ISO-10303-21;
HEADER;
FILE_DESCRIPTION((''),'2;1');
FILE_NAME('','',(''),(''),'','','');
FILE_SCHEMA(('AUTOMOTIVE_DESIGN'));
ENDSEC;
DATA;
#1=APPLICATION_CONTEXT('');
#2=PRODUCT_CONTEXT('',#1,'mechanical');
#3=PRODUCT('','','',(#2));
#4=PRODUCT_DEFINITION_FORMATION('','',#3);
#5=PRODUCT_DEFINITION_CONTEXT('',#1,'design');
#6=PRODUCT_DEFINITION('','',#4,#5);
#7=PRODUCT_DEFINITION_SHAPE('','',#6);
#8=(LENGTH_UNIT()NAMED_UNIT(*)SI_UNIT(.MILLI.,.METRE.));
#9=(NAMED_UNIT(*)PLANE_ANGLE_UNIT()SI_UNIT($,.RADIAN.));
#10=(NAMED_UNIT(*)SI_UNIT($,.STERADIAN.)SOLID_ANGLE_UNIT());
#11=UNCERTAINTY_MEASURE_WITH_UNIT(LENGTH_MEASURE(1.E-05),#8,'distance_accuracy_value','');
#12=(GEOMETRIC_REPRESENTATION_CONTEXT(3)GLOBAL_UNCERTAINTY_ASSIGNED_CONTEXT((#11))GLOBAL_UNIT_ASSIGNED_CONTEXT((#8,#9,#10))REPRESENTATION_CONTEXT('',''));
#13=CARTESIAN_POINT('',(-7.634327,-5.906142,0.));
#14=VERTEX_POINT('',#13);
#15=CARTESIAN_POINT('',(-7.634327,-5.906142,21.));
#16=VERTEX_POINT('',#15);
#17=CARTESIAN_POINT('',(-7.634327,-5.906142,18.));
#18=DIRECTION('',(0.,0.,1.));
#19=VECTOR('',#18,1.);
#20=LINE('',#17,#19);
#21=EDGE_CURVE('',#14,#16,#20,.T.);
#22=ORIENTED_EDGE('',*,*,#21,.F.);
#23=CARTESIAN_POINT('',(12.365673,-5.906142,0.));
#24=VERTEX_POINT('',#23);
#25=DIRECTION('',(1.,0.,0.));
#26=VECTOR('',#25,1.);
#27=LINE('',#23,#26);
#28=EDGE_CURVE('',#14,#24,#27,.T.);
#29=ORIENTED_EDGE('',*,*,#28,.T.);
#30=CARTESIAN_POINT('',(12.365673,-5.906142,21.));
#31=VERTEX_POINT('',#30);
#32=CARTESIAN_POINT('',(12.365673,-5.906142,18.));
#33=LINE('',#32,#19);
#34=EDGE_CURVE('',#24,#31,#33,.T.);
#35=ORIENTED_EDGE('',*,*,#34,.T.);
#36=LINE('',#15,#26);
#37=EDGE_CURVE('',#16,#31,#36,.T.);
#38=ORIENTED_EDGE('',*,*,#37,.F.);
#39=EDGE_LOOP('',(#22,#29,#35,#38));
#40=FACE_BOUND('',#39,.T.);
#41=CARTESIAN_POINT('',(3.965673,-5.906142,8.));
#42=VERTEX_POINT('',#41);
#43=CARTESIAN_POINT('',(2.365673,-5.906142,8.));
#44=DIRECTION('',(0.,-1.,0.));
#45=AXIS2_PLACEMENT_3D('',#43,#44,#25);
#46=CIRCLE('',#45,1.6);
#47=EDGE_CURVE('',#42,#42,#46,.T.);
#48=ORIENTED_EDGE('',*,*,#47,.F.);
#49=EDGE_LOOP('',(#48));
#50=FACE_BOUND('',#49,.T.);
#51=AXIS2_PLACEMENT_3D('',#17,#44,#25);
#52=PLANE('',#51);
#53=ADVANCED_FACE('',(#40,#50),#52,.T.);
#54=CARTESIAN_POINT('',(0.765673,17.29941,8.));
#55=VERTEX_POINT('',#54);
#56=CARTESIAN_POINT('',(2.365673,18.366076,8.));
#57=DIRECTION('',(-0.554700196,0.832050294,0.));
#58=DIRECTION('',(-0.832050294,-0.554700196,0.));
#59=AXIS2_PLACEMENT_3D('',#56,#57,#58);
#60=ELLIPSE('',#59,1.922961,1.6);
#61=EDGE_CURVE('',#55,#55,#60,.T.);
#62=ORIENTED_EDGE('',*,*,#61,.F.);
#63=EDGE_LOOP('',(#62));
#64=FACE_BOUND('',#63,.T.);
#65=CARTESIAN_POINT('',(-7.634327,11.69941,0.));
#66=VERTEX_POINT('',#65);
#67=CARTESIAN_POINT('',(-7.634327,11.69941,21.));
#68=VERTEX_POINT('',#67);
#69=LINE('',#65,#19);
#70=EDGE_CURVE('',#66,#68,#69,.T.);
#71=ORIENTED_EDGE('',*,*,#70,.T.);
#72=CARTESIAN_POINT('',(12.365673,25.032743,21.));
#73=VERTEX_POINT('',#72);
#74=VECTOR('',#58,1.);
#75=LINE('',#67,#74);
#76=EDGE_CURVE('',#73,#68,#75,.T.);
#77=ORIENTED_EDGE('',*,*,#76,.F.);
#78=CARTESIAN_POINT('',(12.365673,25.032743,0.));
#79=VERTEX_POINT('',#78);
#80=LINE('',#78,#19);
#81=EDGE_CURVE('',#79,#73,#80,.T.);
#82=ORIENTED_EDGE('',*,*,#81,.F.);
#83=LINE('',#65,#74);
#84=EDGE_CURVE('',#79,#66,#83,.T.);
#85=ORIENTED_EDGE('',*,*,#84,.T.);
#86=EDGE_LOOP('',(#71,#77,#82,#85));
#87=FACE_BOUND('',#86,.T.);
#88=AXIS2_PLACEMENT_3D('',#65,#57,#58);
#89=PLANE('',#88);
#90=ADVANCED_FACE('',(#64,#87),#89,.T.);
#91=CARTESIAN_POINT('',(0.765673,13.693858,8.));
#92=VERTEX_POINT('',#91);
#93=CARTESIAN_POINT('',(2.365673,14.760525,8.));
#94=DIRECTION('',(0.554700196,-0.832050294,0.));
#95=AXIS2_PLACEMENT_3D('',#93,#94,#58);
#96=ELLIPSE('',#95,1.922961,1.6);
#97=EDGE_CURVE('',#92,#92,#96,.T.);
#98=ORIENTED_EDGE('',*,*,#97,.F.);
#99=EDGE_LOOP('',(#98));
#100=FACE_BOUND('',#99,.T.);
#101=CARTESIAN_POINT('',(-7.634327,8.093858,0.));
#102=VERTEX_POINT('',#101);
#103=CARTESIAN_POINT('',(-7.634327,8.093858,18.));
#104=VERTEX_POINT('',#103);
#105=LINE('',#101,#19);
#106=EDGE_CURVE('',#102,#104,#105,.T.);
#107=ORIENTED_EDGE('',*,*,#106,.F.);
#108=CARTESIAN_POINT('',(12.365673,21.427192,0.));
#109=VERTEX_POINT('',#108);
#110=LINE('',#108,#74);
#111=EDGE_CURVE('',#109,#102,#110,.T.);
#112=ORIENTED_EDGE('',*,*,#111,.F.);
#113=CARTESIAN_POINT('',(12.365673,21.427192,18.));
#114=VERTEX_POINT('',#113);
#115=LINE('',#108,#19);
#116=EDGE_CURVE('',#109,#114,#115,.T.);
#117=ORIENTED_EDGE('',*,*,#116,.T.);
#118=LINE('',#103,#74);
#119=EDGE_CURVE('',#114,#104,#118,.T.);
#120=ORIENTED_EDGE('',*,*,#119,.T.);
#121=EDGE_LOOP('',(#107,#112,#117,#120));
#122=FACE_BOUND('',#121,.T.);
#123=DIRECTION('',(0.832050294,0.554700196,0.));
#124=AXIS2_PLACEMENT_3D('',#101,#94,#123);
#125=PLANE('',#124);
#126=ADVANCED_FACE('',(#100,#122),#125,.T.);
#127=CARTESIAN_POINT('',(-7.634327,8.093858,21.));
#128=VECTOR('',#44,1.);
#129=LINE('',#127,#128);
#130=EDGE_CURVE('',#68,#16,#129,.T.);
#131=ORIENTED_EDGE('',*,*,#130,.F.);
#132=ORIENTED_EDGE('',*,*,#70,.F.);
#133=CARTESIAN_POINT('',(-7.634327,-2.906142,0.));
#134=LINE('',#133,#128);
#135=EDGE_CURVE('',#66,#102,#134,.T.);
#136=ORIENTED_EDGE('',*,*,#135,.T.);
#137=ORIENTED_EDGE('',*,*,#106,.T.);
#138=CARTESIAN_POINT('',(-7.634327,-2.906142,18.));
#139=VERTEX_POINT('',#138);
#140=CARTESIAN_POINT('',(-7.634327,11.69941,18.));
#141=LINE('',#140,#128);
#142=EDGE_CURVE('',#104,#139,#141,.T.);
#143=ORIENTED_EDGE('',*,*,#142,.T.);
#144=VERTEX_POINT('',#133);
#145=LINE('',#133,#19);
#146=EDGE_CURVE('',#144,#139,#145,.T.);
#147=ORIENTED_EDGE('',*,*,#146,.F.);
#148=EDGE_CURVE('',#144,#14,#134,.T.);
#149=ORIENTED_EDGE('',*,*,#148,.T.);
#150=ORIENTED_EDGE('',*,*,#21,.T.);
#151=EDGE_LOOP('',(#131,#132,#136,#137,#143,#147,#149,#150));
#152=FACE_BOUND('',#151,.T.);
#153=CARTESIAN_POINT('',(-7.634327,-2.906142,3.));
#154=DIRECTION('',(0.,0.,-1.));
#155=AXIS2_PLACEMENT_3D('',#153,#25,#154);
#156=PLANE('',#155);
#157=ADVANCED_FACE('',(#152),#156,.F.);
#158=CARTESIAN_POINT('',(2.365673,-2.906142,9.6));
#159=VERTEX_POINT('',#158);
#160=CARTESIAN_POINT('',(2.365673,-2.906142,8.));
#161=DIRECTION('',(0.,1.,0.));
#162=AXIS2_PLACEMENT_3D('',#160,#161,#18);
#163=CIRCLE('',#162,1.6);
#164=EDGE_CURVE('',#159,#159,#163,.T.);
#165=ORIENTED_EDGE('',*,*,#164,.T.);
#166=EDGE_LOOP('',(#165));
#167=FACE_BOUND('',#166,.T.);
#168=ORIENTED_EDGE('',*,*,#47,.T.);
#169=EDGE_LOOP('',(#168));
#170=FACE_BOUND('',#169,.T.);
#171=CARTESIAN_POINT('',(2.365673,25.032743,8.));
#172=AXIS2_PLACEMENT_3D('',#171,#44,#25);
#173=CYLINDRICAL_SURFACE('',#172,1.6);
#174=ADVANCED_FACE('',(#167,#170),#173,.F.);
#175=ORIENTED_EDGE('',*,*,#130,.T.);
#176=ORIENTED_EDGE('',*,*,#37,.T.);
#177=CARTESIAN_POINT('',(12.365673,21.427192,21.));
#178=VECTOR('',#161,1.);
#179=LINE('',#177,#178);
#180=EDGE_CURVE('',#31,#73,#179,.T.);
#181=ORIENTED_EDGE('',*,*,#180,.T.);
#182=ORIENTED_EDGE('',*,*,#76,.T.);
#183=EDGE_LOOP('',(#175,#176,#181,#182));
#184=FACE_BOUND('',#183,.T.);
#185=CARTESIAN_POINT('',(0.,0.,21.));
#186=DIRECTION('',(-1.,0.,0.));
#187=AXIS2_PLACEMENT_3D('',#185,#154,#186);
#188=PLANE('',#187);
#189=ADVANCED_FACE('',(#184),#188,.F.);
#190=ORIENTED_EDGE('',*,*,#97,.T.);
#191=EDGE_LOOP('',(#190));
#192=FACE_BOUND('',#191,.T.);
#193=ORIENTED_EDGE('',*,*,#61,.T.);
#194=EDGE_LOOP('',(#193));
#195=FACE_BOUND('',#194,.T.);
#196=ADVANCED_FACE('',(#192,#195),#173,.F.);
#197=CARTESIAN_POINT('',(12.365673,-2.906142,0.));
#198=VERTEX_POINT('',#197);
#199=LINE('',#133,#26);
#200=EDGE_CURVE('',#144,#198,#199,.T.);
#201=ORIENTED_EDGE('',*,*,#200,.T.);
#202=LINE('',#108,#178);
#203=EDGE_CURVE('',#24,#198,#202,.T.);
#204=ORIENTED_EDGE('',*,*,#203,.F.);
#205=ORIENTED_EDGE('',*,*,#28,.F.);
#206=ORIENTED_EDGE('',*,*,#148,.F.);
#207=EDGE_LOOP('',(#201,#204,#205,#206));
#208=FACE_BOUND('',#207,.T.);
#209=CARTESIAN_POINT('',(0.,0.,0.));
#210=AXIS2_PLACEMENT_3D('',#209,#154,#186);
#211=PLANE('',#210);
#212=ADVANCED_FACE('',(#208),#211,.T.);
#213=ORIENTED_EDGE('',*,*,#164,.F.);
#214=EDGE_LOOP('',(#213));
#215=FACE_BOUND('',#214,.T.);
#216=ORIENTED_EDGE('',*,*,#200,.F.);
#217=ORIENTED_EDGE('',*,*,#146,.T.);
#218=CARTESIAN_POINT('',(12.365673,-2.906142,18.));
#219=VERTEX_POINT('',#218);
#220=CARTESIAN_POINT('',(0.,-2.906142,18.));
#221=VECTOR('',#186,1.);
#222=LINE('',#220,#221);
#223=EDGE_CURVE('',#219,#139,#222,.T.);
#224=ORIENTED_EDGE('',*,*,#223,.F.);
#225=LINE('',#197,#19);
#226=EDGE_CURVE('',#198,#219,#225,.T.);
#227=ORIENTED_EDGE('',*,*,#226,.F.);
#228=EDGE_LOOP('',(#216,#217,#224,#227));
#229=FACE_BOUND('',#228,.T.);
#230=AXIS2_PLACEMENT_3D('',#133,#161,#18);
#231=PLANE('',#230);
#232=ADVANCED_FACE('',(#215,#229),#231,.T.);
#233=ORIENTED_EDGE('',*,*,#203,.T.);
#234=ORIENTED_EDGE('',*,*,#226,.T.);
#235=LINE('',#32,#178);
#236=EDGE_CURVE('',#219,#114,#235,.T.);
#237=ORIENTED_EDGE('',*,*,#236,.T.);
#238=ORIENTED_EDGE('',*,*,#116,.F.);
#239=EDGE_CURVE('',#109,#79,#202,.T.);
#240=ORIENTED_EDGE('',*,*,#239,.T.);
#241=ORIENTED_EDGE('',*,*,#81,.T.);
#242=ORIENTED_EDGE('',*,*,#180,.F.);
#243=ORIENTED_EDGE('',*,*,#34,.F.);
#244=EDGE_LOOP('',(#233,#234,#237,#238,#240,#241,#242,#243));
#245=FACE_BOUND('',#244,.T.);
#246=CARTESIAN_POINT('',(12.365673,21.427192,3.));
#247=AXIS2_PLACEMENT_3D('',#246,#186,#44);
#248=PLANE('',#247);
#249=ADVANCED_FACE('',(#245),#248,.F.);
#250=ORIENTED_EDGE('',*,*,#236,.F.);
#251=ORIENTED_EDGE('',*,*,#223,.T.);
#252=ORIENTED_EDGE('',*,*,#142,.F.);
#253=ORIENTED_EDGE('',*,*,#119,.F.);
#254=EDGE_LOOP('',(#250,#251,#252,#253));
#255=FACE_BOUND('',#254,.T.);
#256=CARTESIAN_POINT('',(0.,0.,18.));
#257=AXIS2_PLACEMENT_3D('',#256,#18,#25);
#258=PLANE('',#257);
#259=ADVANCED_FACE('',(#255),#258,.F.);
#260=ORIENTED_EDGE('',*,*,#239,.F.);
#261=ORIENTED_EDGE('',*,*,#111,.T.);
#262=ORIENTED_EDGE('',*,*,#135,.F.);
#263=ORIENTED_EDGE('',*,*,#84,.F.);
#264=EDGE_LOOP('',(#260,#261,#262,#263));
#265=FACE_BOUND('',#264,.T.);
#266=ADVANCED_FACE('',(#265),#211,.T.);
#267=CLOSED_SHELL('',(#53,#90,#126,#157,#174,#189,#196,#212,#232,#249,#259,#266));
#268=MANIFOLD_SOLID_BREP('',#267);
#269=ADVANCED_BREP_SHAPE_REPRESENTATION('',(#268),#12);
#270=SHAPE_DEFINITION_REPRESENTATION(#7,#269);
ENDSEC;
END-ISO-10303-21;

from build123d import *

# Parameters (mm, degrees)
EXTRUDE_1_DEPTH      = 3
SKETCH_2_W           = 20
SKETCH_2_H           = 3
EXTRUDE_2_DEPTH      = 18
EXTRUDE_2_DEPTH_BACK = 3
SKETCH_5_R           = 1.6
CUT_EXTRUDE_1_DEPTH  = 31.938884609
CUT_EXTRUDE_2_DEPTH  = 4
EXTRUDE_3_DEPTH      = 3


with BuildPart() as part:
    # 草图1 → 凸台-拉伸1 (new body)
    with BuildSketch(Plane.XY):
        Polygon((-7.634327041, -2.906141593), (-7.634327041, 8.093858407), (12.365672959, 21.427191741), (12.365672959, -5.906141593), (-7.634327041, -5.906141593), align=None)
    extrude(amount=EXTRUDE_1_DEPTH)

    # 草图2 → 凸台-拉伸2 (add, two sides)
    with BuildSketch(Plane.XY.offset(3)) as extrude_2_sk:
        Polygon((-7.634327041, 8.093858407), (12.365672959, 21.427191741), (12.365672959, 25.032743016), (-7.634327041, 11.699409683), align=None)
        with Locations((2.365672959, -4.406141593)):
            Rectangle(SKETCH_2_W, SKETCH_2_H)
    extrude(amount=EXTRUDE_2_DEPTH)
    extrude(extrude_2_sk.sketch, amount=-EXTRUDE_2_DEPTH_BACK)

    # 草图5 → 切除-拉伸1 (cut, through all)
    with BuildSketch(Plane.XZ.offset(5.906141593)):
        with Locations((2.365672959, 8)):
            Circle(SKETCH_5_R)
    extrude(amount=-CUT_EXTRUDE_1_DEPTH, mode=Mode.SUBTRACT)

    # 草图6 → 切除-拉伸2 (cut, through all)
    with BuildSketch(Plane.XY.offset(3)):
        Polygon((-7.634327041, 8.093858407), (-7.634327041, -2.906141593), (12.365672959, -2.906141593), (12.365672959, 21.427191741), align=None)
    extrude(amount=-CUT_EXTRUDE_2_DEPTH, mode=Mode.SUBTRACT)

    # 草图7 → 凸台-拉伸3 (add)
    with BuildSketch(Plane.XY.offset(21)):
        Polygon((-7.634327041, 11.699409683), (-7.634327041, -5.906141593), (12.365672959, -5.906141593), (12.365672959, 25.032743016), align=None)
    extrude(amount=-EXTRUDE_3_DEPTH)


solid = part.part
